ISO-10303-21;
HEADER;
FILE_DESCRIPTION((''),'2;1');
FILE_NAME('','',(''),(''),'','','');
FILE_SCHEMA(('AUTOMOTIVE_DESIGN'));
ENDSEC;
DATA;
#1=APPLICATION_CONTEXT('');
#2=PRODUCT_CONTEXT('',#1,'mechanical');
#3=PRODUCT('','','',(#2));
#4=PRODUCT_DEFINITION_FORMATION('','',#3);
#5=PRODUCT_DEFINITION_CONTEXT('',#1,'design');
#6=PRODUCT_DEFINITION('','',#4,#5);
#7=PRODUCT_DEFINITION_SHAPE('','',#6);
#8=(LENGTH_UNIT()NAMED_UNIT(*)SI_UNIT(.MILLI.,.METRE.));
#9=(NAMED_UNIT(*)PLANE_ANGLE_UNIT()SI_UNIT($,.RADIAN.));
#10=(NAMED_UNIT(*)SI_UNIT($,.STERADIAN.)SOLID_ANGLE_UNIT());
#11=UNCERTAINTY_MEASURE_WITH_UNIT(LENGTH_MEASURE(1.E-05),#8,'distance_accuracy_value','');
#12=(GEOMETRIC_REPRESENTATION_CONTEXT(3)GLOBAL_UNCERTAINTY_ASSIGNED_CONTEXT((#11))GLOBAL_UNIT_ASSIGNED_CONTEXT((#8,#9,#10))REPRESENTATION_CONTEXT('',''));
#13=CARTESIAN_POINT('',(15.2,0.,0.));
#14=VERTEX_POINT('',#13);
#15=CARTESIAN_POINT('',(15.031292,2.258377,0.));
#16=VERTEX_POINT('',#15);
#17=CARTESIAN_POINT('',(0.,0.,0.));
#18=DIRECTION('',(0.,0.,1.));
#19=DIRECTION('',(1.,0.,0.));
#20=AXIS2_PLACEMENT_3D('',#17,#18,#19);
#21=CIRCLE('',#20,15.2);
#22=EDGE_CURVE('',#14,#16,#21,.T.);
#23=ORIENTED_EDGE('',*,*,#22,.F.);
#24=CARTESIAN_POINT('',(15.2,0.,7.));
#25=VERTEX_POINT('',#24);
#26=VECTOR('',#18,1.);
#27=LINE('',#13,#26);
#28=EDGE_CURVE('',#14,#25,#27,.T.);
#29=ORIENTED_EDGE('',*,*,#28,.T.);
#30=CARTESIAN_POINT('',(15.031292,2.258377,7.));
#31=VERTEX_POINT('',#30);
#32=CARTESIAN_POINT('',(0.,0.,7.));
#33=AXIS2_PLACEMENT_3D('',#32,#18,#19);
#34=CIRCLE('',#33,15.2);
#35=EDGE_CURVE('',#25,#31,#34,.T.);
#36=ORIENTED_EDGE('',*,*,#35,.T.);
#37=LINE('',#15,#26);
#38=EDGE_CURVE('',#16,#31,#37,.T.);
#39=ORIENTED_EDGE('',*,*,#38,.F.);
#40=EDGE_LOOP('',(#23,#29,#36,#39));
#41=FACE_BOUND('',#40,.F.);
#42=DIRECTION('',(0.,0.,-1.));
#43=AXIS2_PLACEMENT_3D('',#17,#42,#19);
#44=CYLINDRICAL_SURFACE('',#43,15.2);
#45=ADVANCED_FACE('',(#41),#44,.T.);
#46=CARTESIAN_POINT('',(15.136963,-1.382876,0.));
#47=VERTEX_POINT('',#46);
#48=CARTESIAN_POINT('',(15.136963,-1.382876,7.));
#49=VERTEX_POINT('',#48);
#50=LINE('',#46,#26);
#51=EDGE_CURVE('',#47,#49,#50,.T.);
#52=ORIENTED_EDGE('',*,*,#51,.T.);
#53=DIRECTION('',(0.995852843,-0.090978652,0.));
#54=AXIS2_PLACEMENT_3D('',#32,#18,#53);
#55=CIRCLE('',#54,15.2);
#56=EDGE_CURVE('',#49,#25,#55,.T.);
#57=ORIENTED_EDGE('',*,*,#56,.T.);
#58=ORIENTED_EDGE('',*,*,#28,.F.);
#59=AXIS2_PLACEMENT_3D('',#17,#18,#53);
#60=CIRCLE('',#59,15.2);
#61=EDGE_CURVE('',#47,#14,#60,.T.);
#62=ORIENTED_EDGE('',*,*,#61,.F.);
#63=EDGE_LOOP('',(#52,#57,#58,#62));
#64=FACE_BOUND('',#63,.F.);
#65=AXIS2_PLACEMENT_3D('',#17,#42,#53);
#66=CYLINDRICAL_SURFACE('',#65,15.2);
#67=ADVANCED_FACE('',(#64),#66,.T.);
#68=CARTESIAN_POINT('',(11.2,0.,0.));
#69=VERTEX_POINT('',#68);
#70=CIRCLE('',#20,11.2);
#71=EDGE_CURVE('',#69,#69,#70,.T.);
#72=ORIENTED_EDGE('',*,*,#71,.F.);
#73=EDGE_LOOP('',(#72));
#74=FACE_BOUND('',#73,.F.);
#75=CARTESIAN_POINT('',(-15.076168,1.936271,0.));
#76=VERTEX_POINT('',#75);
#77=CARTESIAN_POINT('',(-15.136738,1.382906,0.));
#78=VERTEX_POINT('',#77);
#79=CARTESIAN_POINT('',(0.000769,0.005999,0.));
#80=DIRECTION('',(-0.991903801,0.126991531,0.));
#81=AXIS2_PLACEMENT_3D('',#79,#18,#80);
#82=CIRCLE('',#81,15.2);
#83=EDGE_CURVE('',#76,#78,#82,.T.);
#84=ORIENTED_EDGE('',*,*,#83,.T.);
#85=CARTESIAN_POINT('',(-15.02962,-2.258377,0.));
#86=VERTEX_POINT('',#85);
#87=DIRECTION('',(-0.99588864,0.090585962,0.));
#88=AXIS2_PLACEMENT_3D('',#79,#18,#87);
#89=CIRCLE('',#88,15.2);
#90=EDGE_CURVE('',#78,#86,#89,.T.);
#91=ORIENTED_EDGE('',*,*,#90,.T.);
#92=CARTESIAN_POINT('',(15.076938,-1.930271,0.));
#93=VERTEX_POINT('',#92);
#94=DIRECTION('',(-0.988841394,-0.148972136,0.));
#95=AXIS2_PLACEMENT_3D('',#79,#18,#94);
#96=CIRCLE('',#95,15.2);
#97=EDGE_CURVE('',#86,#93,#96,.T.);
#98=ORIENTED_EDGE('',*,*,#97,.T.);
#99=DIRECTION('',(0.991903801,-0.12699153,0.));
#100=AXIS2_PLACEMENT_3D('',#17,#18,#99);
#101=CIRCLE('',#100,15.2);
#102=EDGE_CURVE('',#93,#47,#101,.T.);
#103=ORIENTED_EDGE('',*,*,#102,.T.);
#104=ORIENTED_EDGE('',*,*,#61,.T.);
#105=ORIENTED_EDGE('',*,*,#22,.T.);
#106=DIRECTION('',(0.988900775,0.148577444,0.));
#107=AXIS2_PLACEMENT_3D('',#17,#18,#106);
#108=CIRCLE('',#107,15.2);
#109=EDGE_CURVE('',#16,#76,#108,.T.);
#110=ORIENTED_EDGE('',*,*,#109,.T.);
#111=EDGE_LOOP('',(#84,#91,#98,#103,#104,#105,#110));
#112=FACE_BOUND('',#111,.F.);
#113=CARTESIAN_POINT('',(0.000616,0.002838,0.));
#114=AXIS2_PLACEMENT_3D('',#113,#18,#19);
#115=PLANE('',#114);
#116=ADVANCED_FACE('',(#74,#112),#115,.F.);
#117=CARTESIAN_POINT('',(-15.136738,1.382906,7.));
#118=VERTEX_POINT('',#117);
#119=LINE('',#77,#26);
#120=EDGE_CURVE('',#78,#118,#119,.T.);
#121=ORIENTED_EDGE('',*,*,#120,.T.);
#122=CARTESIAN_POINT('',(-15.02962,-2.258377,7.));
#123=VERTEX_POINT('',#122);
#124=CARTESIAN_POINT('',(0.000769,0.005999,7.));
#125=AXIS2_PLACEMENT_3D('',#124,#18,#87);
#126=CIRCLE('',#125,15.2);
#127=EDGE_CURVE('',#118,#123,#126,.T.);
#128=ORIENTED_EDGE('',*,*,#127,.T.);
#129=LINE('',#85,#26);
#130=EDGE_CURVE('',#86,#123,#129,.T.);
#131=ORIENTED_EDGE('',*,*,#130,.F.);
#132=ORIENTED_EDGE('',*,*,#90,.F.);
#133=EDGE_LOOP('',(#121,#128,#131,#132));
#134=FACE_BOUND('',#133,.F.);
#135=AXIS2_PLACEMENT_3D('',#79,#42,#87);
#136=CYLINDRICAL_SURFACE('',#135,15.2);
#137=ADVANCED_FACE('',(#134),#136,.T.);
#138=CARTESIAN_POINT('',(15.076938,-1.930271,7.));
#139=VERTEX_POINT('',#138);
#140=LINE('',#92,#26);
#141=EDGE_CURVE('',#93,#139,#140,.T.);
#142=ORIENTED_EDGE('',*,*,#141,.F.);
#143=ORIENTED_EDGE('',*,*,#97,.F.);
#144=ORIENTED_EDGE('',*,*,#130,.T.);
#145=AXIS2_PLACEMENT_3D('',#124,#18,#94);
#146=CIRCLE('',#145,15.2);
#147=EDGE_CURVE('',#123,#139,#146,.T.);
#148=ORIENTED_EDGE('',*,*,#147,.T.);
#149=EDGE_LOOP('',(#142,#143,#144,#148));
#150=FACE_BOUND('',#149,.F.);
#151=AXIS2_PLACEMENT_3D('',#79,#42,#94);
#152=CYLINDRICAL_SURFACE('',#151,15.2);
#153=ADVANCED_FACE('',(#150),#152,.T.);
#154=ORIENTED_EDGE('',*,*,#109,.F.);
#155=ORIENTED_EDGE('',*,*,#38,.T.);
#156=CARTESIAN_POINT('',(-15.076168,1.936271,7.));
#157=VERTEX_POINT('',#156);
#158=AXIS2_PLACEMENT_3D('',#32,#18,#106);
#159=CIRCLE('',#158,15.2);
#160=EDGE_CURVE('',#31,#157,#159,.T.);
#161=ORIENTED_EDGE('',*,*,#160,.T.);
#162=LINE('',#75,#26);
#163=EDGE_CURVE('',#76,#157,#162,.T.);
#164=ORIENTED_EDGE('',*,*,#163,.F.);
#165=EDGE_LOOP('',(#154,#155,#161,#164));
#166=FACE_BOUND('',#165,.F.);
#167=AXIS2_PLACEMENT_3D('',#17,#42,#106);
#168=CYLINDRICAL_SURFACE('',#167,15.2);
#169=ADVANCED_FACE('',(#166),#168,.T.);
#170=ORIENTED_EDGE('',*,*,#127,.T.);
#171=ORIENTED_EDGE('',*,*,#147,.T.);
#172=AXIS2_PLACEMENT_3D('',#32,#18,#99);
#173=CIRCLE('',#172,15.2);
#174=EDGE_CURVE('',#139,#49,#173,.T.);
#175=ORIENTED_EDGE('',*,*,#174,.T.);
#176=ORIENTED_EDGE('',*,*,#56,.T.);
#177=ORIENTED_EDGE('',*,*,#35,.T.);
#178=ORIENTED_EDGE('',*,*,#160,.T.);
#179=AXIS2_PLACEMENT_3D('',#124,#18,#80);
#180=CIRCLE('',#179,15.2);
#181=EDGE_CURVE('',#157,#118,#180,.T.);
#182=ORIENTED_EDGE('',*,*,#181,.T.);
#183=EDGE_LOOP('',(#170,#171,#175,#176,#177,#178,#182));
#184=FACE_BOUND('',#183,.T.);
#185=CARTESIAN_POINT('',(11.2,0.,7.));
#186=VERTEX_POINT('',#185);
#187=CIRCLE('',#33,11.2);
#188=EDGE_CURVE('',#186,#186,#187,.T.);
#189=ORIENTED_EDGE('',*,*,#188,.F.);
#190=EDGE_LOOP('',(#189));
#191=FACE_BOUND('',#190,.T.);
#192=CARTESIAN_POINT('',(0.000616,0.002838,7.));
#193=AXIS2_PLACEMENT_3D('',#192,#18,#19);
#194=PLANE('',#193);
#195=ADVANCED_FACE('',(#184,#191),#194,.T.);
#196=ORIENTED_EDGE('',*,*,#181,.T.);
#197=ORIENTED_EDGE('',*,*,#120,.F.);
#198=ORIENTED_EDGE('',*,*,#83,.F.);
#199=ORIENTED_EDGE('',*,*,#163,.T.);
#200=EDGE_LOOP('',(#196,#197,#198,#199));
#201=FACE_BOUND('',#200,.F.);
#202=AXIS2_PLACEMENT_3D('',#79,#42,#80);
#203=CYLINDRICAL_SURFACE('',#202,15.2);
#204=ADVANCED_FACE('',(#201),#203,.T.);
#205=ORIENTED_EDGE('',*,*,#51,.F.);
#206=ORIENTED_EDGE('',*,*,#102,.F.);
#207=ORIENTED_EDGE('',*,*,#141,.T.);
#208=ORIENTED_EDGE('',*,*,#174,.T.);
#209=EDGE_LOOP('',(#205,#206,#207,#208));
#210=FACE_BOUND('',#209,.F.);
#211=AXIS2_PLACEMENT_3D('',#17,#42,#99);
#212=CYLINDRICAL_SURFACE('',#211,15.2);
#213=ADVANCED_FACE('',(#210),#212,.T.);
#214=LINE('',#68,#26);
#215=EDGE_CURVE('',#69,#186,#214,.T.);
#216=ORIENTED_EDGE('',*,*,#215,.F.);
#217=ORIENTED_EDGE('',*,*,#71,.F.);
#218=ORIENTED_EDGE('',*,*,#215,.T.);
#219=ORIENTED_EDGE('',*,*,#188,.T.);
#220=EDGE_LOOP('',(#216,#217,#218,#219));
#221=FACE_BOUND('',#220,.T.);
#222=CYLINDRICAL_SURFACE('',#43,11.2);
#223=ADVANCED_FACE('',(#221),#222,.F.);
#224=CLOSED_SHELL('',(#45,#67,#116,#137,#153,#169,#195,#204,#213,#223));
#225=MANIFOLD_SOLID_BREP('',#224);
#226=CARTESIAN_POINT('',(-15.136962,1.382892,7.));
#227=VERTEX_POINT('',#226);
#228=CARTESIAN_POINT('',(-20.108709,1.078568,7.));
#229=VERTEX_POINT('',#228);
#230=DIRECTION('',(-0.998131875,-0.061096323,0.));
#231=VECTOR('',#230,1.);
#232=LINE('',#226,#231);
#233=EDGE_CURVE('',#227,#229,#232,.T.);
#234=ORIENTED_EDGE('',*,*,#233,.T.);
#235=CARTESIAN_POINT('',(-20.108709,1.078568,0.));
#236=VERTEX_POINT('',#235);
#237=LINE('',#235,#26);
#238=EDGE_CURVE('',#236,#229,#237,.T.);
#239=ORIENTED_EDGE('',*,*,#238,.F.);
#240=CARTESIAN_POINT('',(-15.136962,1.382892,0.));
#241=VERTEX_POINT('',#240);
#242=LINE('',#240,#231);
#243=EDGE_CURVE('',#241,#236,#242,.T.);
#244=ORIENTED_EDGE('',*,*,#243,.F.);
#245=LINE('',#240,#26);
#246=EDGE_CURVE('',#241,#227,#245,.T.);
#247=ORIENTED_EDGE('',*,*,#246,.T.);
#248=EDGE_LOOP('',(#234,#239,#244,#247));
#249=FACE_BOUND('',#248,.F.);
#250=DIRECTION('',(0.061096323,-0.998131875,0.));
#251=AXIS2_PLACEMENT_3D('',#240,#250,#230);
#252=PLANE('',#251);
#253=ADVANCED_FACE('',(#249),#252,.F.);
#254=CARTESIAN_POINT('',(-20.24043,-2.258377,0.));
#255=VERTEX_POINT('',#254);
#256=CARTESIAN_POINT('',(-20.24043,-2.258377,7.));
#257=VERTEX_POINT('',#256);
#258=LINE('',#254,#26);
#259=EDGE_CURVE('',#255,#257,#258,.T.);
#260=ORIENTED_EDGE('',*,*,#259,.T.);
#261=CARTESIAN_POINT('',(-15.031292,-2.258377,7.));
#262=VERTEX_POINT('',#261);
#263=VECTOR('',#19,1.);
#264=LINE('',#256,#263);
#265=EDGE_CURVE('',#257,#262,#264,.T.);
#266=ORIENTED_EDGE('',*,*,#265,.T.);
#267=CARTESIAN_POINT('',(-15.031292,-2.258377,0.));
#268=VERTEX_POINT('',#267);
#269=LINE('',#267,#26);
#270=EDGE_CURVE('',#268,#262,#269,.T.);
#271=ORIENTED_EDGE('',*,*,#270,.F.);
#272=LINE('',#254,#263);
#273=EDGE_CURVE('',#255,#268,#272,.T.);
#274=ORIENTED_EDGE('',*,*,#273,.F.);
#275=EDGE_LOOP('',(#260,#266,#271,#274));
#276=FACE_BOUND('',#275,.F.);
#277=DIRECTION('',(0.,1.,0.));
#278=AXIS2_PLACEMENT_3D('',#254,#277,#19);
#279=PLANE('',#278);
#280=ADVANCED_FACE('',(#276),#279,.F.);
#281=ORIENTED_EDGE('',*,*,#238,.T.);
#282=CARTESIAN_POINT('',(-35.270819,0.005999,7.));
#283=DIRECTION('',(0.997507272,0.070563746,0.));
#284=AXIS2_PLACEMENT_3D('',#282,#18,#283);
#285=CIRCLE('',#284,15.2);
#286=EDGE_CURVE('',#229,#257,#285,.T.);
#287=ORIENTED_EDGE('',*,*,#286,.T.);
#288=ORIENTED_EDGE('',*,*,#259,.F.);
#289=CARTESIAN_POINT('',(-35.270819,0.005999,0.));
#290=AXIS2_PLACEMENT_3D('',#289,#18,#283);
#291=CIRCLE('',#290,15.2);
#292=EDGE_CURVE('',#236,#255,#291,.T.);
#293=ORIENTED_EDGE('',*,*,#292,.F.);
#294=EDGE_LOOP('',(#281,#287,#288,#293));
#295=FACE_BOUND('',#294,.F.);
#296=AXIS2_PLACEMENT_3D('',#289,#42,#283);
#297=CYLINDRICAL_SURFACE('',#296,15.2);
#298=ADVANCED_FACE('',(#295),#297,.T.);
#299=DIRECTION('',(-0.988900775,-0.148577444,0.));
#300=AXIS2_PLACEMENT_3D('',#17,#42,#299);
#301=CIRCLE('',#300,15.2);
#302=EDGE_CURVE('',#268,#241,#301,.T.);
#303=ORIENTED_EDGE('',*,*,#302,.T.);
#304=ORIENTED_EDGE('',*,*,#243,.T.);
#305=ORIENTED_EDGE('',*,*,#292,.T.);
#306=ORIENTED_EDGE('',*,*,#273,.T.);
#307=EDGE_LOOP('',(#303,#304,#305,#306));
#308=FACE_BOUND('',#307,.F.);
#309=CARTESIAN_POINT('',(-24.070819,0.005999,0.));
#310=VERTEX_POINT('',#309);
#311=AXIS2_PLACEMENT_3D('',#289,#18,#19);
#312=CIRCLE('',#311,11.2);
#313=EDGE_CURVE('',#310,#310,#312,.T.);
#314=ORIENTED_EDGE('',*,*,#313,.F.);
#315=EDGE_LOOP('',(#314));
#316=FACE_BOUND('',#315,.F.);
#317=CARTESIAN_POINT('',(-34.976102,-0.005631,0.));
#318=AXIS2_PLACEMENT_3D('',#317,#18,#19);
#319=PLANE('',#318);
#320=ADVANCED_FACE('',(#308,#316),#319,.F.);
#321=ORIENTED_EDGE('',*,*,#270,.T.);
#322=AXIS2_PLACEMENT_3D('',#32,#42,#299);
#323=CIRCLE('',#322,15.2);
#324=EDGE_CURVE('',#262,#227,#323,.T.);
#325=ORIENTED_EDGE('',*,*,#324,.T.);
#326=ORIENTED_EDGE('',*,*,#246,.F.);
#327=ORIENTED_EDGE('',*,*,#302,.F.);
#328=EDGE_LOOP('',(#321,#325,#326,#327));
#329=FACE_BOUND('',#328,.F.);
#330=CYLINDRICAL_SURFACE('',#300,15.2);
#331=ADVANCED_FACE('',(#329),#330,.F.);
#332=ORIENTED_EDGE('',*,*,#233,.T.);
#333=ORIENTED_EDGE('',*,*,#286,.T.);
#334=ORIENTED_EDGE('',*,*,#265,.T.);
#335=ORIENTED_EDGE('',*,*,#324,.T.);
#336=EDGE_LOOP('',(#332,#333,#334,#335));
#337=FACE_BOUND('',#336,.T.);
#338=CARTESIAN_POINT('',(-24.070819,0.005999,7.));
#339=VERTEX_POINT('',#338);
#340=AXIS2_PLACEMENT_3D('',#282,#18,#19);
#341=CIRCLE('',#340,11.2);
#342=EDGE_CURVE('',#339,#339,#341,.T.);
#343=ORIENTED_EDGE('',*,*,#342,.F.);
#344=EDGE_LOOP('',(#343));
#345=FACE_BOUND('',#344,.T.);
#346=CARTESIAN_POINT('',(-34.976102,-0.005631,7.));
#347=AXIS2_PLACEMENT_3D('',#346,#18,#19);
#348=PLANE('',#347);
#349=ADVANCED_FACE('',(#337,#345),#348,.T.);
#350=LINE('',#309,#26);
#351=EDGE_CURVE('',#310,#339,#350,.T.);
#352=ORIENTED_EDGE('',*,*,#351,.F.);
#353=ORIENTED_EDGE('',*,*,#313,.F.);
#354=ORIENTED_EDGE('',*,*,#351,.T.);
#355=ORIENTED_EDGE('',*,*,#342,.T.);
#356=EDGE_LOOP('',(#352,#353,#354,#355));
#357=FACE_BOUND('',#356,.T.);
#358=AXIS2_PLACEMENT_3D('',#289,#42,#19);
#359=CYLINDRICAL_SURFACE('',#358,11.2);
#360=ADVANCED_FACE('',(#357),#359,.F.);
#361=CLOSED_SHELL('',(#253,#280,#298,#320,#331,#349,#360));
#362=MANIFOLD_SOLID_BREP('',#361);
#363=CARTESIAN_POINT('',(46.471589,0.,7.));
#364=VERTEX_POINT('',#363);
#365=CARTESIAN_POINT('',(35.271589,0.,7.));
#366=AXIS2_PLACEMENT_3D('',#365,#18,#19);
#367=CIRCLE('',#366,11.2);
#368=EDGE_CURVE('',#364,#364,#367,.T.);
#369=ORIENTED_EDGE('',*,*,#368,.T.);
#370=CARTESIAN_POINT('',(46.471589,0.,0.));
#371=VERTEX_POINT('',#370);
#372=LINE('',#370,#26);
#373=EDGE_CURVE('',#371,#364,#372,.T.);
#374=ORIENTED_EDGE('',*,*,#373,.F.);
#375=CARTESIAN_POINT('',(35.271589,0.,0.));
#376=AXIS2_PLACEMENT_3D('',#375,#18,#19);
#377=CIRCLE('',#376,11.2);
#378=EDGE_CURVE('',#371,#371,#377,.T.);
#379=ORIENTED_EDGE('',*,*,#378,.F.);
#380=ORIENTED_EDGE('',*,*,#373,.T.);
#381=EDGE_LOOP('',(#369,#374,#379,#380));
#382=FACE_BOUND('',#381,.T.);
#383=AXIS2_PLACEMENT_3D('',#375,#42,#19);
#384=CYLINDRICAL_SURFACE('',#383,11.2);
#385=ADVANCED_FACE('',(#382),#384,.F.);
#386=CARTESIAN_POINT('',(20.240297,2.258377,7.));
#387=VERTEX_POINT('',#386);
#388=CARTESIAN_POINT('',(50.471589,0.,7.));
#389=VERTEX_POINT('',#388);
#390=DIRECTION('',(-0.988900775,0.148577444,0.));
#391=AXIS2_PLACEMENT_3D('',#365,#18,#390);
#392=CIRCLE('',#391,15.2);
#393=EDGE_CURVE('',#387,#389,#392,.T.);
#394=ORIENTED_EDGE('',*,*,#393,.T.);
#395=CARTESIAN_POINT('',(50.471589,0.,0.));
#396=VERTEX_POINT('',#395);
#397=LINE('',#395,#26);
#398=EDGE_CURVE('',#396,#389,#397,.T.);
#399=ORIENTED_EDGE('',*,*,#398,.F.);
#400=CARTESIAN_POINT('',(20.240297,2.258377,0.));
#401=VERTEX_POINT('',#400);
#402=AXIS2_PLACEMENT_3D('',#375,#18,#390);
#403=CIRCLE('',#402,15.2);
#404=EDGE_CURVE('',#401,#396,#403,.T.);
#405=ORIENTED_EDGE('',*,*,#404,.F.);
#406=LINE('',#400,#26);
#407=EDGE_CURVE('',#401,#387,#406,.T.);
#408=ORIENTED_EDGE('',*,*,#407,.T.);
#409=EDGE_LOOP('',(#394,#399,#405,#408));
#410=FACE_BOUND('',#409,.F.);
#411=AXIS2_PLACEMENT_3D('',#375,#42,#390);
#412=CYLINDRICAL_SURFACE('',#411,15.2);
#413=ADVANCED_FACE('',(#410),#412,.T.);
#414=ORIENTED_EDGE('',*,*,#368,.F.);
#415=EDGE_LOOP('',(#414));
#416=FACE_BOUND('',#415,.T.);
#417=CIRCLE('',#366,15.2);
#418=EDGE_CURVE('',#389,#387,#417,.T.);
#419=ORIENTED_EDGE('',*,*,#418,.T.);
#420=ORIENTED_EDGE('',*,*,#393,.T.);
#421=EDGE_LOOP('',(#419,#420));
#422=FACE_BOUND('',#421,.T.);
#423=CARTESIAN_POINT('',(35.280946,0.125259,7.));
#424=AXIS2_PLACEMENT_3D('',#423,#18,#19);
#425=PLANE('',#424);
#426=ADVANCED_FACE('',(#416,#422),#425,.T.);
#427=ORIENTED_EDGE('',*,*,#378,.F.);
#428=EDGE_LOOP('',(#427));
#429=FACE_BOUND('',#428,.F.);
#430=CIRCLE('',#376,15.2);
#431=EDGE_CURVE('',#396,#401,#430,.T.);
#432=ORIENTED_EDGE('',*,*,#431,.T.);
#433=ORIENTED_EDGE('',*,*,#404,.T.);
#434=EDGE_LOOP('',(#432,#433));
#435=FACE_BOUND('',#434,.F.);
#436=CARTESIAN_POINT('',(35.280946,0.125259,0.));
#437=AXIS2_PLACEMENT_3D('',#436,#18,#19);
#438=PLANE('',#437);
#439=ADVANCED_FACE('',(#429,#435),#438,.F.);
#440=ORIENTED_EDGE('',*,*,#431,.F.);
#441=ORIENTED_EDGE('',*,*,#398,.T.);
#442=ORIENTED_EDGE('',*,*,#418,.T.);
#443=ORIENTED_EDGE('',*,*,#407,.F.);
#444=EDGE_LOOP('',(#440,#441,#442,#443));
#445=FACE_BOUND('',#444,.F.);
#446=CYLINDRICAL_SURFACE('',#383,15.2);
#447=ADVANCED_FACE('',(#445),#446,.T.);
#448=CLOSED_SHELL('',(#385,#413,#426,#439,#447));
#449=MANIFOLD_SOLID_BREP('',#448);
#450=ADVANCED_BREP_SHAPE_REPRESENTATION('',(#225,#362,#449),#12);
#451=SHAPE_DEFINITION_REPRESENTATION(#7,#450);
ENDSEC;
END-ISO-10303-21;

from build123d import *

# Parameters (mm, degrees)
F0_R     = 11.2
F1_DEPTH = 7


with BuildPart() as f1:
    # F0 (on Top) → F1 (new body)
    with BuildSketch(Plane.XY):
        with BuildLine():
            ThreePointArc((-20.0708194183, 0.0059993199), (-20.0802947379, 0.5426183037), (-20.1087088833, 1.0785682564))
            ThreePointArc((-20.1087088833, 1.0785682564), (-50.4589911673, 0.605531574), (-20.2404302275, -2.2583771442))
            ThreePointArc((-20.2404302275, -2.2583771442), (-20.1132814306, -1.1293606008), (-20.0708194183, 0.0059993199))
        make_face()
        with Locations((-35.2708194183, 0.0059993199)):
            Circle(F0_R, mode=Mode.SUBTRACT)
        with BuildLine():
            ThreePointArc((-15.0312917833, -2.2583771442), (-15.1936035889, -0.4409194749), (-15.1369616844, 1.3828922469))
            Line((-15.1369616844, 1.3828922469), (-20.1087088833, 1.0785682564))
            ThreePointArc((-20.1087088833, 1.0785682564), (-20.0802947379, 0.5426183037), (-20.0708194183, 0.0059993199))
            ThreePointArc((-20.0708194183, 0.0059993199), (-20.1132814306, -1.1293606008), (-20.2404302275, -2.2583771442))
            Line((-20.2404302275, -2.2583771442), (-15.0312917833, -2.2583771442))
        make_face()
    extrude(amount=F1_DEPTH)


with BuildPart() as f1b:
    # F0 (on Top) → F1, piece 2 (new body)
    with BuildSketch(Plane.XY):
        with BuildLine():
            ThreePointArc((15.1369632135, -1.3828755088), (15.1842326254, -0.6921557464), (15.2, 0))
            ThreePointArc((15.2, 0), (15.1577642663, 1.1323349535), (15.0312917833, 2.2583771442))
            ThreePointArc((15.0312917833, 2.2583771442), (-0.1626088496, 15.1991301844), (-15.0761684857, 1.9362705882))
            ThreePointArc((-15.0761684857, 1.9362705882), (-15.1089867075, 1.6598655655), (-15.1367380355, 1.3829059366))
            ThreePointArc((-15.1367380355, 1.3829059366), (-15.1926579272, -0.440956222), (-15.0296198963, -2.2583771442))
            ThreePointArc((-15.0296198963, -2.2583771442), (0.1664113859, -15.1930981105), (15.0769377803, -1.9302712683))
            ThreePointArc((15.0769377803, -1.9302712683), (15.1094296333, -1.6568452417), (15.1369632135, -1.3828755088))
        make_face()
        Circle(F0_R, mode=Mode.SUBTRACT)
    extrude(amount=F1_DEPTH)


with BuildPart() as f1c:
    # F0 (on Top) → F1, piece 3 (new body)
    with BuildSketch(Plane.XY):
        with BuildLine():
            ThreePointArc((50.4715887129, 0), (36.4039236664, 15.1577642663), (20.2402969296, 2.2583771442))
            ThreePointArc((20.2402969296, 2.2583771442), (34.1392537594, -15.1577642663), (50.4715887129, 0))
        make_face()
        with Locations((35.2715887129, 0)):
            Circle(F0_R, mode=Mode.SUBTRACT)
    extrude(amount=F1_DEPTH)


solid = Compound([f1.part, f1b.part, f1c.part])
